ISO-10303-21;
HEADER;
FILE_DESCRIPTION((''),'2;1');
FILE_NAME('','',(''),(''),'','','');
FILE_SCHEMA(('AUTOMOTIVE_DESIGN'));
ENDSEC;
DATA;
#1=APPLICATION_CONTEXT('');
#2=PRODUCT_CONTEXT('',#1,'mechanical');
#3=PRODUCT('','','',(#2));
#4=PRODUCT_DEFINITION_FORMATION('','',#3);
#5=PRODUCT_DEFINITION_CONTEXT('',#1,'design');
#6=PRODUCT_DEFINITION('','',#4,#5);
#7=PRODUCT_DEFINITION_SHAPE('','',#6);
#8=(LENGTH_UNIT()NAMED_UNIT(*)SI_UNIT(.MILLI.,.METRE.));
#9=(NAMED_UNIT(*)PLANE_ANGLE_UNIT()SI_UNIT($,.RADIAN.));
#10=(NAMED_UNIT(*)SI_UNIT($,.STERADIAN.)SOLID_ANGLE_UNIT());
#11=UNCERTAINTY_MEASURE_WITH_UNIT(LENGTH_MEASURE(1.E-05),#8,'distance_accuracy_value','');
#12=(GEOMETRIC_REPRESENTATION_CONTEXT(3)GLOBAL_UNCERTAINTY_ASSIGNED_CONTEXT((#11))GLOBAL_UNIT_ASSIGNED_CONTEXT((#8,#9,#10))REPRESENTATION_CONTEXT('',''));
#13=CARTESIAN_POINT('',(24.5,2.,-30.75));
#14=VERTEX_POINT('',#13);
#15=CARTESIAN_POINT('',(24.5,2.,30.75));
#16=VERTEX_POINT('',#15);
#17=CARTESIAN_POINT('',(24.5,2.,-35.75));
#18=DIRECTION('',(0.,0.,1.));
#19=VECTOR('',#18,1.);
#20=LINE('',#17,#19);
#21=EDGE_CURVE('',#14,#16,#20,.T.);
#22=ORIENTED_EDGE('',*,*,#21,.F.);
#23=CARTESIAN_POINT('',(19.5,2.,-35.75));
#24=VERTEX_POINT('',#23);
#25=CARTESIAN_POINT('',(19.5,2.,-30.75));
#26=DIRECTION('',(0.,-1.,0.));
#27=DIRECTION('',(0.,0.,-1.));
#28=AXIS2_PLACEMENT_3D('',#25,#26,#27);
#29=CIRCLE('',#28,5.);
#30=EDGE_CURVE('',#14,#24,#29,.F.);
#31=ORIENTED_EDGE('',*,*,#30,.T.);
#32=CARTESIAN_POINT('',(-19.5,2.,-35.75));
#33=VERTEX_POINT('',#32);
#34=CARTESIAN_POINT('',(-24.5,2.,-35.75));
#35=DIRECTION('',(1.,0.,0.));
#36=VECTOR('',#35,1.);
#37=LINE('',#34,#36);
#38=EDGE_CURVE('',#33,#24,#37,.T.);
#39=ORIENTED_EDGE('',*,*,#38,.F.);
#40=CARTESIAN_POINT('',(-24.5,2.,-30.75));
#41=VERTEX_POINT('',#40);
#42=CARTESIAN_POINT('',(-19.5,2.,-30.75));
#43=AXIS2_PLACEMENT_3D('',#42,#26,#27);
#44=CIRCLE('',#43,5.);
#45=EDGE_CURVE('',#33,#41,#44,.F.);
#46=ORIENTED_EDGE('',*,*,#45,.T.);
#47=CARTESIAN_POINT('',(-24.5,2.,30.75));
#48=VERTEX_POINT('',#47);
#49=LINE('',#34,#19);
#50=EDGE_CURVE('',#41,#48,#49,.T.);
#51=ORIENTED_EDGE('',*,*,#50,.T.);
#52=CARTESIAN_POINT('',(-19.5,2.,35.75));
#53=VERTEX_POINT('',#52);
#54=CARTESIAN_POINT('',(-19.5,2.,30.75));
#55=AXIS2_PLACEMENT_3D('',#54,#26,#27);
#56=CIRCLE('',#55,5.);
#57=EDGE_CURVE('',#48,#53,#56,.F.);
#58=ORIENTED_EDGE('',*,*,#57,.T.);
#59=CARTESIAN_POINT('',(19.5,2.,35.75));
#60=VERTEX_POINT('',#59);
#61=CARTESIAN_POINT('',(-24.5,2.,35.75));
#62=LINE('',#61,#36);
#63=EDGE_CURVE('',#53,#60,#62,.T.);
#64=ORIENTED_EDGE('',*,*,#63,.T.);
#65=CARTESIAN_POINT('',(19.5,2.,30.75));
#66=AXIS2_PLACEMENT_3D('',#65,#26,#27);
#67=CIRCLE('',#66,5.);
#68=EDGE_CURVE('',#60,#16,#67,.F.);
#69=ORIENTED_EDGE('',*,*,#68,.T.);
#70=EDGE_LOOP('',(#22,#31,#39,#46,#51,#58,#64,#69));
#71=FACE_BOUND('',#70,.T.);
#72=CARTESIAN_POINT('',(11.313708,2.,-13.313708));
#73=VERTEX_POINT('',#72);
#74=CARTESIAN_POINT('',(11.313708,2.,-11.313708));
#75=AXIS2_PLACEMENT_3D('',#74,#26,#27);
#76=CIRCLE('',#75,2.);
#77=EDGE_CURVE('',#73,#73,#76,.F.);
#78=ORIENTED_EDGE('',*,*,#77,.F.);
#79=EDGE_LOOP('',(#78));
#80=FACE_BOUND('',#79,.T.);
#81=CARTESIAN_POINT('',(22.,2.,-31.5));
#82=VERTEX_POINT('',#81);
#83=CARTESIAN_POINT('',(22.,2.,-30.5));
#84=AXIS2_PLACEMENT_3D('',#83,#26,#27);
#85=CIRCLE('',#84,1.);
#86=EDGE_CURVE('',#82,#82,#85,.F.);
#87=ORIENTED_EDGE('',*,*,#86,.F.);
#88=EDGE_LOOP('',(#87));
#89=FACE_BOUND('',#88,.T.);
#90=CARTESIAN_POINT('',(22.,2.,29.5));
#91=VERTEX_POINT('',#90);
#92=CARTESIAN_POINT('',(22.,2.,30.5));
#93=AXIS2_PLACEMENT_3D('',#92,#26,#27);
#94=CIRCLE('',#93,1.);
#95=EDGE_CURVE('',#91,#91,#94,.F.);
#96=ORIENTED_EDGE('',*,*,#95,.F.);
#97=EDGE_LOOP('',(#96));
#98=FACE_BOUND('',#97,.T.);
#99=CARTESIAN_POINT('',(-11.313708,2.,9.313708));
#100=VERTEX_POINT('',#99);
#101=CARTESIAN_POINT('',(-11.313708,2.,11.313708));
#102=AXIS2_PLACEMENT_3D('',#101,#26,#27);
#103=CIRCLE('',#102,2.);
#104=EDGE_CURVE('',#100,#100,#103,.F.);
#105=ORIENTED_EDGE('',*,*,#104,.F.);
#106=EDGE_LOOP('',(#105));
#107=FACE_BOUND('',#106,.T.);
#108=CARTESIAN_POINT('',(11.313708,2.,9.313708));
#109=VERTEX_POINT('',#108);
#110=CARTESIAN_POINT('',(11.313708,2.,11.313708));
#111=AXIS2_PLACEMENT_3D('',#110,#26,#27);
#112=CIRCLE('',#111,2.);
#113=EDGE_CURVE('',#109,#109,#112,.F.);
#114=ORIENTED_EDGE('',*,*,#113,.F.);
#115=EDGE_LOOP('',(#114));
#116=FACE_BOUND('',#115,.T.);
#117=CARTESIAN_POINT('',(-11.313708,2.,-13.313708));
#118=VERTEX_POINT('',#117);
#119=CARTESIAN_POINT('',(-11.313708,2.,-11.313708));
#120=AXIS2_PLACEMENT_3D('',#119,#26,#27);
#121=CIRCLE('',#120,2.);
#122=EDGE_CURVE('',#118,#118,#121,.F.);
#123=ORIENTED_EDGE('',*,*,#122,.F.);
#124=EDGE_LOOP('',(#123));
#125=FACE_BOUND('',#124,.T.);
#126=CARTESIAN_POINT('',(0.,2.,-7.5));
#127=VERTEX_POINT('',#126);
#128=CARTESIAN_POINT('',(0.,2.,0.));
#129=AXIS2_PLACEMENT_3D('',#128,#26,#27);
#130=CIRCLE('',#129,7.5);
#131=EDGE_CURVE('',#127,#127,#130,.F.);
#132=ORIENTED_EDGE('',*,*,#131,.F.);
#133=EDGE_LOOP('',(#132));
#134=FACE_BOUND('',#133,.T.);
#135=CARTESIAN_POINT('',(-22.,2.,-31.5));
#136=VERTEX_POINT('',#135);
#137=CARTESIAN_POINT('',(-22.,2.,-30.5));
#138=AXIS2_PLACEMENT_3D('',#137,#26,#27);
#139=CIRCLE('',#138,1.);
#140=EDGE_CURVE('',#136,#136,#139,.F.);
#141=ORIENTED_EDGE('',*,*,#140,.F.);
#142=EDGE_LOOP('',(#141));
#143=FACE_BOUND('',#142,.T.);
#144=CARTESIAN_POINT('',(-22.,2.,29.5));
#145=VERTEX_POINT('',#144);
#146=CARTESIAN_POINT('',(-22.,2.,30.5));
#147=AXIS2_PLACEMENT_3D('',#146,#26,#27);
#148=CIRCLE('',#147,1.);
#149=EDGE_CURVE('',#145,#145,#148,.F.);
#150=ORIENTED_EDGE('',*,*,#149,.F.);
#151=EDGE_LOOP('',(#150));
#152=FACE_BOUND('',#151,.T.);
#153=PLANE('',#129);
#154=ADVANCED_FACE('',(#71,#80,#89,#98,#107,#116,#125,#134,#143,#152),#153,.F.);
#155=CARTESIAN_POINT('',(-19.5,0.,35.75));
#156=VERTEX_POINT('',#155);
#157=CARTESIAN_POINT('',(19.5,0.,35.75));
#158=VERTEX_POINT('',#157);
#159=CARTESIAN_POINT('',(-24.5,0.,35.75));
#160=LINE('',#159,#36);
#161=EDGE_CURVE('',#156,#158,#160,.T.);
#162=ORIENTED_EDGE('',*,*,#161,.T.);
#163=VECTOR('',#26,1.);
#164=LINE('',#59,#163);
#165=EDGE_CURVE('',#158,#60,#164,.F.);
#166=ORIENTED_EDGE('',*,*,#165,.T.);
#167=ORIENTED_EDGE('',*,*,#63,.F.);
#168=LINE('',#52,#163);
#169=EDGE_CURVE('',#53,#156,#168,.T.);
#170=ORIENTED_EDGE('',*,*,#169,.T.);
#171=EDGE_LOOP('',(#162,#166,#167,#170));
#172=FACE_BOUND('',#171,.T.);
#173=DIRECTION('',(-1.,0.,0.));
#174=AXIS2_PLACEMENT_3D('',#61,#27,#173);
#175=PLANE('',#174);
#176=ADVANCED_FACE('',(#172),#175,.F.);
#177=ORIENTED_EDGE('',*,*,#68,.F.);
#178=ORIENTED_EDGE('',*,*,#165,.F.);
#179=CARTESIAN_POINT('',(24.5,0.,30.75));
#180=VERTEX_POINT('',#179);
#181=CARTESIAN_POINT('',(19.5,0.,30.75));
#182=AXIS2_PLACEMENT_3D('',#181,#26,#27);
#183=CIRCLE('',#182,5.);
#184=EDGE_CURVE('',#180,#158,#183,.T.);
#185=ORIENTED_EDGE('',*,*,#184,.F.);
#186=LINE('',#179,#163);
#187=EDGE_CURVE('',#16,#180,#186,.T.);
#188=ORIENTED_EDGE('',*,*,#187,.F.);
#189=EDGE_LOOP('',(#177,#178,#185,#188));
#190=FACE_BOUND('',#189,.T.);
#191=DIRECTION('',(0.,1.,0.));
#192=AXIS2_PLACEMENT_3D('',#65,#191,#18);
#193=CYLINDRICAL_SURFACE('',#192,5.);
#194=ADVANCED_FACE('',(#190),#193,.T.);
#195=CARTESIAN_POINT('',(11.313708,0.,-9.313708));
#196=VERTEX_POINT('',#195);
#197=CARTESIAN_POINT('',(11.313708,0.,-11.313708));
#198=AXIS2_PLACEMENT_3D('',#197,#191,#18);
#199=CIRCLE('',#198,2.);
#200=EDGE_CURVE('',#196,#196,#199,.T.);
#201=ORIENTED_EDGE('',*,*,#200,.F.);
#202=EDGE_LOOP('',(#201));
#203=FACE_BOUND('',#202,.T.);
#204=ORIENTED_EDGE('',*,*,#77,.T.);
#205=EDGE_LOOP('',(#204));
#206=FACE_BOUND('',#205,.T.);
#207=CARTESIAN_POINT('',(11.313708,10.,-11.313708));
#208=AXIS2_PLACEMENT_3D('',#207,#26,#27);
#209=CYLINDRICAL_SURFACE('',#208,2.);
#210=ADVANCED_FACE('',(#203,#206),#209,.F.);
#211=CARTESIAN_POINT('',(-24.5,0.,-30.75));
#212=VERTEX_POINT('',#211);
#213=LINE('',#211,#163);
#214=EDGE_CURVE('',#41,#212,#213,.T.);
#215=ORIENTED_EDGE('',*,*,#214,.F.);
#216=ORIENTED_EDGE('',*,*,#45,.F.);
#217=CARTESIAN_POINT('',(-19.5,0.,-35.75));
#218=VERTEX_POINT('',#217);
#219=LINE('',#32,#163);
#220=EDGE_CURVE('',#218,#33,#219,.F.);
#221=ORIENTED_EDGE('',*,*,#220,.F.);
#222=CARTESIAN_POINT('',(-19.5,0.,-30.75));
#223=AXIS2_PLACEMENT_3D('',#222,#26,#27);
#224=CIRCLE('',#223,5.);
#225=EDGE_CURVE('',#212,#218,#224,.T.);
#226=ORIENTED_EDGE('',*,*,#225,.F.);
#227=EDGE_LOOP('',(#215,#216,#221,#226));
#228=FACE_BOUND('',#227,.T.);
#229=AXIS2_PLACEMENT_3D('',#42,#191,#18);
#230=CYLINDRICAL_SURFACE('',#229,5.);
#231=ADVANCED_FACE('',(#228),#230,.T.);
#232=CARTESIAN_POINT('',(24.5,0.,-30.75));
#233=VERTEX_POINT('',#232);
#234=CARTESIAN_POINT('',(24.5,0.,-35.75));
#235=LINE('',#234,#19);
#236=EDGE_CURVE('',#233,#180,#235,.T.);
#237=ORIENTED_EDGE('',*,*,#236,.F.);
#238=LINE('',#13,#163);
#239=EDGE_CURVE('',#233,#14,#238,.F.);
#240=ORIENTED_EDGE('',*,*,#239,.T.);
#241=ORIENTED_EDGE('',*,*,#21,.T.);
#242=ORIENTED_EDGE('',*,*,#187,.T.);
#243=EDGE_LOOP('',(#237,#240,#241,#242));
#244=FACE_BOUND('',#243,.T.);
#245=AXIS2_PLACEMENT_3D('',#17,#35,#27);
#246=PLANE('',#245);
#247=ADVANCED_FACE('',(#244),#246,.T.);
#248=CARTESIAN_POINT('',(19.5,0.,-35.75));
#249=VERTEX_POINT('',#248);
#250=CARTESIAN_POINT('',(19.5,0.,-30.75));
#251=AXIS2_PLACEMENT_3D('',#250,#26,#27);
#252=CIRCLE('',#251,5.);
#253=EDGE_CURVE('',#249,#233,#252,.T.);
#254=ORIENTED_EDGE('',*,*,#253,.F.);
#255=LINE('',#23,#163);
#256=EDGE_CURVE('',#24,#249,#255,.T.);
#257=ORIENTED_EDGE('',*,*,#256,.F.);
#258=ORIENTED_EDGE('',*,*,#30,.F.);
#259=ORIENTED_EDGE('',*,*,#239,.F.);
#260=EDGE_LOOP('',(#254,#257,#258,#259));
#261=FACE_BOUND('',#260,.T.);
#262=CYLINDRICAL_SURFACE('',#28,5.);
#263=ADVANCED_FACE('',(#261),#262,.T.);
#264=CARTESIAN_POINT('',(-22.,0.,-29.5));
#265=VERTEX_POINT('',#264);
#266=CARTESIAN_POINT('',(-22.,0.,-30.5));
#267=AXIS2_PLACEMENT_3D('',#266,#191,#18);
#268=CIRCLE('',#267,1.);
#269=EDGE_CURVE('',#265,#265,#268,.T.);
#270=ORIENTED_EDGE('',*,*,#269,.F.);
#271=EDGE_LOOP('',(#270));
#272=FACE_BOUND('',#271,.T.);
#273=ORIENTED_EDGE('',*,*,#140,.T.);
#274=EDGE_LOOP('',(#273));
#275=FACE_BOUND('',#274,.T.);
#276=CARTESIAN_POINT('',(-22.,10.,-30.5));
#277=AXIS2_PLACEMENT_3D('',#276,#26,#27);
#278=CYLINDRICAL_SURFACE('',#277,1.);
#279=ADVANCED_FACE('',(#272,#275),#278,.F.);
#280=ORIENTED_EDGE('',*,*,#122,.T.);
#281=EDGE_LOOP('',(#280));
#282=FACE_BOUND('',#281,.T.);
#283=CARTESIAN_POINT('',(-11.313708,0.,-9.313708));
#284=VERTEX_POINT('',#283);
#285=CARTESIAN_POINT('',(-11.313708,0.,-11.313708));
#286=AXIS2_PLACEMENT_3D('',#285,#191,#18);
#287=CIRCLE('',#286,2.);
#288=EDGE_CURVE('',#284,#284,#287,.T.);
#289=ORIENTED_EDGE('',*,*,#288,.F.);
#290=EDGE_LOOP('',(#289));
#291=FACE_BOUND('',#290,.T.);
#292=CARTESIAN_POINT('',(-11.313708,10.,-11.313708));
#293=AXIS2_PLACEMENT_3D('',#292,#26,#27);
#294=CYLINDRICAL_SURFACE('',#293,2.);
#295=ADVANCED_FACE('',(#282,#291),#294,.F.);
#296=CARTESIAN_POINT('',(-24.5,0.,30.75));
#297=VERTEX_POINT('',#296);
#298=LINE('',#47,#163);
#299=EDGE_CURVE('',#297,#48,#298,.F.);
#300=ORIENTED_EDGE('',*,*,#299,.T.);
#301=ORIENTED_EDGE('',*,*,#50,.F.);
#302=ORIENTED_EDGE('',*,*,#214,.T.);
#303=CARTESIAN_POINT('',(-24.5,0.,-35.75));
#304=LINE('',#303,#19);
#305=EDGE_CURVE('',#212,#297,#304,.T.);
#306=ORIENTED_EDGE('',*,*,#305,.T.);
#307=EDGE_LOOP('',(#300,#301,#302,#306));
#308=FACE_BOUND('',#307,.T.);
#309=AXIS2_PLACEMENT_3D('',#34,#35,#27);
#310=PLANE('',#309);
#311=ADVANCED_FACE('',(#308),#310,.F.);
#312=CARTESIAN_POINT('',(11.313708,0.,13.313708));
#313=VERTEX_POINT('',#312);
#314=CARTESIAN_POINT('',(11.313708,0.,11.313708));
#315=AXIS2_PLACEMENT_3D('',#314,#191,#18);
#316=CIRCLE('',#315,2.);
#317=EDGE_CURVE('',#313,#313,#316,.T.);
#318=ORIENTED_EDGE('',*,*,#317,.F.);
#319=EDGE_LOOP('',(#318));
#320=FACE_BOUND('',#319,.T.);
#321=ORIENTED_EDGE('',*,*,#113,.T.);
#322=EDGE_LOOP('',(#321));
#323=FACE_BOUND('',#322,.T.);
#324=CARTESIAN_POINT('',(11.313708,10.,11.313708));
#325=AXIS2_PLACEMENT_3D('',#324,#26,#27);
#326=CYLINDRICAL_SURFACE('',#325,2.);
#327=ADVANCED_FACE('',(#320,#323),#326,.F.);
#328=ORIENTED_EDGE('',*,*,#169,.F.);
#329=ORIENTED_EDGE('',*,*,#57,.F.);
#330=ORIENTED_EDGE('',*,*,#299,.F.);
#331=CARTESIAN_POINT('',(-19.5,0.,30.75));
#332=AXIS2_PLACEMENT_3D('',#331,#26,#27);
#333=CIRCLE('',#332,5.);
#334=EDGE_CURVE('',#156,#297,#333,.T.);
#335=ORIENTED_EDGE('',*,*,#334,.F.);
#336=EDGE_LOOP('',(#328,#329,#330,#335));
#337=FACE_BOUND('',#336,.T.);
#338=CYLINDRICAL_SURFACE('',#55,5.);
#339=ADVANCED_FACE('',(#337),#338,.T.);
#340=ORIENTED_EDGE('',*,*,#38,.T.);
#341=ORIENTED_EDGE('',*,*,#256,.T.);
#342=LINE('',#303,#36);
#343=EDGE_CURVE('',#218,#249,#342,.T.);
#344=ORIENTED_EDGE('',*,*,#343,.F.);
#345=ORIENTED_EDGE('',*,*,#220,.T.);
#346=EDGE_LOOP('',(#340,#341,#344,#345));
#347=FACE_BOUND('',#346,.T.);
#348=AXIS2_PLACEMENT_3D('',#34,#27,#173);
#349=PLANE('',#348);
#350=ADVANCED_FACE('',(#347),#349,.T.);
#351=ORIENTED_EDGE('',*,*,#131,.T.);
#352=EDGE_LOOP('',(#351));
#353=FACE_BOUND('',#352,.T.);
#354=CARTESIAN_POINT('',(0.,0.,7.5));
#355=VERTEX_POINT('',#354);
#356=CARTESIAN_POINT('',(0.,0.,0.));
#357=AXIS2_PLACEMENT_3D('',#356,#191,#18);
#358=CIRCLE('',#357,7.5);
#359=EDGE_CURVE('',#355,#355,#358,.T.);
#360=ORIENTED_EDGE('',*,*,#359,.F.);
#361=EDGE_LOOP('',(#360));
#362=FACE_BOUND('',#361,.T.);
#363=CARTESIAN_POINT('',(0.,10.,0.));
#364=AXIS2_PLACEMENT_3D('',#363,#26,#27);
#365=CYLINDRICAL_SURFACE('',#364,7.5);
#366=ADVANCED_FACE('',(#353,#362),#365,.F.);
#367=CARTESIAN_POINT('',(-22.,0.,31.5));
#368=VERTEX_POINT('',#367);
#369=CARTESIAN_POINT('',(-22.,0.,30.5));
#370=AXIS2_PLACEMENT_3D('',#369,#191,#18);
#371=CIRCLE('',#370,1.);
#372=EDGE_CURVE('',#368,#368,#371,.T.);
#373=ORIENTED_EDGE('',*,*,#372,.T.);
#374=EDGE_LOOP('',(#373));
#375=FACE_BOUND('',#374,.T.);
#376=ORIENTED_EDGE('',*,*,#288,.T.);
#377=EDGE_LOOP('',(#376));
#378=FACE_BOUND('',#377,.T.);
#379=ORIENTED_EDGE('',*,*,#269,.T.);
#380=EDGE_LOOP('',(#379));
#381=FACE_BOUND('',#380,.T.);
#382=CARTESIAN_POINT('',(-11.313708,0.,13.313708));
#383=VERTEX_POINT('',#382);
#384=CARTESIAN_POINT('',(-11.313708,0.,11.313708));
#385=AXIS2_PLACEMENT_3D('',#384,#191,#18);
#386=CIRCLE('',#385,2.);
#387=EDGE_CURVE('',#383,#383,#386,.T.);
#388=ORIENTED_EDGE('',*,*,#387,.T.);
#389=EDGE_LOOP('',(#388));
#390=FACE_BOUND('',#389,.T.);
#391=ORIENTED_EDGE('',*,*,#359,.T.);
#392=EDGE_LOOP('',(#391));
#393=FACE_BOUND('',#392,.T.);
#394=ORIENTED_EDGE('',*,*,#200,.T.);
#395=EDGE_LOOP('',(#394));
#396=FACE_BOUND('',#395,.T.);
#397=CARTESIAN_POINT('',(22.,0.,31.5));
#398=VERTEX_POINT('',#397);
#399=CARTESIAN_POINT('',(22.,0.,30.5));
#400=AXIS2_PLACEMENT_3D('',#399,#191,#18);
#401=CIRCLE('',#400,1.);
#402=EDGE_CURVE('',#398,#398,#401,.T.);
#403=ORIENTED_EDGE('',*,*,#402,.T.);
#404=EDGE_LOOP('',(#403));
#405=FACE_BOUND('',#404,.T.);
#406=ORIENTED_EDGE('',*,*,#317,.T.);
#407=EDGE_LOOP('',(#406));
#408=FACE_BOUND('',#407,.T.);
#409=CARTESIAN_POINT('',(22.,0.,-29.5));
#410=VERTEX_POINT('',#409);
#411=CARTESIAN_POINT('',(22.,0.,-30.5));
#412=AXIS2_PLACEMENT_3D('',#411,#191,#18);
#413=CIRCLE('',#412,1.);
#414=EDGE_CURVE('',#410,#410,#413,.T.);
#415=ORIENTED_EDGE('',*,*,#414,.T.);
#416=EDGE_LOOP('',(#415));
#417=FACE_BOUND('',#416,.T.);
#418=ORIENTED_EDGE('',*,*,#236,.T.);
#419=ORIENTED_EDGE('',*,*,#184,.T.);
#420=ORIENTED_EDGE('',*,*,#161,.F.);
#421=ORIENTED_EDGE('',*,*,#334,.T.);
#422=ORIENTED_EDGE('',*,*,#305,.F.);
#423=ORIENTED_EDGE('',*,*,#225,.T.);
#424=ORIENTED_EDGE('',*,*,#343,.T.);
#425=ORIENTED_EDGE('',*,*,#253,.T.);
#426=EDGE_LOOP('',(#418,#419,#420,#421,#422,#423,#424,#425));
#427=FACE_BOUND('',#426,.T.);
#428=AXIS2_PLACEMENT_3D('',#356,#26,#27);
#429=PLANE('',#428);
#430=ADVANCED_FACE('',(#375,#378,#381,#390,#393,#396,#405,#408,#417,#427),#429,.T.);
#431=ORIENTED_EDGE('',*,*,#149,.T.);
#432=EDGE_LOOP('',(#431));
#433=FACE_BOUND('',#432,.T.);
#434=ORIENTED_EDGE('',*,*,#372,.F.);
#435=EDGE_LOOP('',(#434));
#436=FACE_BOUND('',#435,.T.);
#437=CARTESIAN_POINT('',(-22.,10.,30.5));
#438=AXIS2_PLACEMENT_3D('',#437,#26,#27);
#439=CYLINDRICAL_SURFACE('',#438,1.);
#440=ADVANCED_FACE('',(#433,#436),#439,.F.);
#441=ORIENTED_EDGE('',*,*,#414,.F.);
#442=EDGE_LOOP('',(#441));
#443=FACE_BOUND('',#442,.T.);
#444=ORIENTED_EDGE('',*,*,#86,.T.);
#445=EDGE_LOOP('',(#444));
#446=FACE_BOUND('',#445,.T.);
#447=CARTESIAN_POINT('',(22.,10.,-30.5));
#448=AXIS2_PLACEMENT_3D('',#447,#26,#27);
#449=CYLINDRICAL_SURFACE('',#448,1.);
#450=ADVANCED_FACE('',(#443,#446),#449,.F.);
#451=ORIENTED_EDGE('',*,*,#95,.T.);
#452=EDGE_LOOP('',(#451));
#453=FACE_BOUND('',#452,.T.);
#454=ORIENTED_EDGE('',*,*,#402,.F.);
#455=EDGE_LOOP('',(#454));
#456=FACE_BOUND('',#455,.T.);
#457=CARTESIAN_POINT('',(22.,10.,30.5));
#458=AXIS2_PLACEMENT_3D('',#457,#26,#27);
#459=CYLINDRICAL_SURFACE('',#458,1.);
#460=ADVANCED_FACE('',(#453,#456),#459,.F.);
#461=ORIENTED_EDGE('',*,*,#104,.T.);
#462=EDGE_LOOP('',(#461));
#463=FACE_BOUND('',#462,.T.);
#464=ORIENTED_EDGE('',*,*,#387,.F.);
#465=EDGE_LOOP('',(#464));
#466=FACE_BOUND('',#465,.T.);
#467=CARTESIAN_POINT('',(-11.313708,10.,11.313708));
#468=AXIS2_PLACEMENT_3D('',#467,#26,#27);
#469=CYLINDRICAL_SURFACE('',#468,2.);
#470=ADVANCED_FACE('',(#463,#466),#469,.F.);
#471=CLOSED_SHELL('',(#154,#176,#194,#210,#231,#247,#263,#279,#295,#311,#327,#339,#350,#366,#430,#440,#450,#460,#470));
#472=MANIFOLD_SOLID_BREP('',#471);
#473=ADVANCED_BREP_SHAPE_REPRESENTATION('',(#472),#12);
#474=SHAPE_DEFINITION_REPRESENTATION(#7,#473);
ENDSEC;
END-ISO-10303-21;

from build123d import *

# Parameters (mm, degrees)
SKETCH2_W           = 49
SKETCH2_H           = 71.5
BOSS_EXTRUDE1_DEPTH = 2
SKETCH2_6_R         = 1
SKETCH2_6_R_2       = 7.5
SKETCH2_6_R_3       = 2
CUT_EXTRUDE2_DEPTH  = 10
FILLET1_R           = 5


with BuildPart() as part:
    # Sketch2 → Boss-Extrude1 (new body)
    with BuildSketch(Plane(origin=(0, 0, 0), x_dir=(1, 0, 0), z_dir=(0, 1, 0))):
        Rectangle(SKETCH2_W, SKETCH2_H)
    extrude(amount=BOSS_EXTRUDE1_DEPTH)

    # Sketch2<6> → Cut-Extrude2 (cut)
    with BuildSketch(Plane(origin=(0, 0, 0), x_dir=(1, 0, 0), z_dir=(0, 1, 0))):
        with Locations((-22, 30.5)):
            Circle(SKETCH2_6_R)
        with Locations((22, 30.5)):
            Circle(SKETCH2_6_R)
        with Locations((-22, -30.5)):
            Circle(SKETCH2_6_R)
        with Locations((22, -30.5)):
            Circle(SKETCH2_6_R)
        Circle(SKETCH2_6_R_2)
        with Locations((11.313708499, 11.313708499)):
            Circle(SKETCH2_6_R_3)
        with Locations((11.313708499, -11.313708499)):
            Circle(SKETCH2_6_R_3)
        with Locations((-11.313708499, -11.313708499)):
            Circle(SKETCH2_6_R_3)
        with Locations((-11.313708499, 11.313708499)):
            Circle(SKETCH2_6_R_3)
    extrude(amount=CUT_EXTRUDE2_DEPTH, mode=Mode.SUBTRACT)

    # Fillet1
    fillet1_edges = [part.edges().sort_by_distance(p)[0] for p in [
        (-24.5, 1, -35.75),
        (-24.5, 1, 35.75),
        (24.5, 1, 35.75),
        (24.5, 1, -35.75),
    ]]
    fillet(fillet1_edges, radius=FILLET1_R)


solid = part.part
